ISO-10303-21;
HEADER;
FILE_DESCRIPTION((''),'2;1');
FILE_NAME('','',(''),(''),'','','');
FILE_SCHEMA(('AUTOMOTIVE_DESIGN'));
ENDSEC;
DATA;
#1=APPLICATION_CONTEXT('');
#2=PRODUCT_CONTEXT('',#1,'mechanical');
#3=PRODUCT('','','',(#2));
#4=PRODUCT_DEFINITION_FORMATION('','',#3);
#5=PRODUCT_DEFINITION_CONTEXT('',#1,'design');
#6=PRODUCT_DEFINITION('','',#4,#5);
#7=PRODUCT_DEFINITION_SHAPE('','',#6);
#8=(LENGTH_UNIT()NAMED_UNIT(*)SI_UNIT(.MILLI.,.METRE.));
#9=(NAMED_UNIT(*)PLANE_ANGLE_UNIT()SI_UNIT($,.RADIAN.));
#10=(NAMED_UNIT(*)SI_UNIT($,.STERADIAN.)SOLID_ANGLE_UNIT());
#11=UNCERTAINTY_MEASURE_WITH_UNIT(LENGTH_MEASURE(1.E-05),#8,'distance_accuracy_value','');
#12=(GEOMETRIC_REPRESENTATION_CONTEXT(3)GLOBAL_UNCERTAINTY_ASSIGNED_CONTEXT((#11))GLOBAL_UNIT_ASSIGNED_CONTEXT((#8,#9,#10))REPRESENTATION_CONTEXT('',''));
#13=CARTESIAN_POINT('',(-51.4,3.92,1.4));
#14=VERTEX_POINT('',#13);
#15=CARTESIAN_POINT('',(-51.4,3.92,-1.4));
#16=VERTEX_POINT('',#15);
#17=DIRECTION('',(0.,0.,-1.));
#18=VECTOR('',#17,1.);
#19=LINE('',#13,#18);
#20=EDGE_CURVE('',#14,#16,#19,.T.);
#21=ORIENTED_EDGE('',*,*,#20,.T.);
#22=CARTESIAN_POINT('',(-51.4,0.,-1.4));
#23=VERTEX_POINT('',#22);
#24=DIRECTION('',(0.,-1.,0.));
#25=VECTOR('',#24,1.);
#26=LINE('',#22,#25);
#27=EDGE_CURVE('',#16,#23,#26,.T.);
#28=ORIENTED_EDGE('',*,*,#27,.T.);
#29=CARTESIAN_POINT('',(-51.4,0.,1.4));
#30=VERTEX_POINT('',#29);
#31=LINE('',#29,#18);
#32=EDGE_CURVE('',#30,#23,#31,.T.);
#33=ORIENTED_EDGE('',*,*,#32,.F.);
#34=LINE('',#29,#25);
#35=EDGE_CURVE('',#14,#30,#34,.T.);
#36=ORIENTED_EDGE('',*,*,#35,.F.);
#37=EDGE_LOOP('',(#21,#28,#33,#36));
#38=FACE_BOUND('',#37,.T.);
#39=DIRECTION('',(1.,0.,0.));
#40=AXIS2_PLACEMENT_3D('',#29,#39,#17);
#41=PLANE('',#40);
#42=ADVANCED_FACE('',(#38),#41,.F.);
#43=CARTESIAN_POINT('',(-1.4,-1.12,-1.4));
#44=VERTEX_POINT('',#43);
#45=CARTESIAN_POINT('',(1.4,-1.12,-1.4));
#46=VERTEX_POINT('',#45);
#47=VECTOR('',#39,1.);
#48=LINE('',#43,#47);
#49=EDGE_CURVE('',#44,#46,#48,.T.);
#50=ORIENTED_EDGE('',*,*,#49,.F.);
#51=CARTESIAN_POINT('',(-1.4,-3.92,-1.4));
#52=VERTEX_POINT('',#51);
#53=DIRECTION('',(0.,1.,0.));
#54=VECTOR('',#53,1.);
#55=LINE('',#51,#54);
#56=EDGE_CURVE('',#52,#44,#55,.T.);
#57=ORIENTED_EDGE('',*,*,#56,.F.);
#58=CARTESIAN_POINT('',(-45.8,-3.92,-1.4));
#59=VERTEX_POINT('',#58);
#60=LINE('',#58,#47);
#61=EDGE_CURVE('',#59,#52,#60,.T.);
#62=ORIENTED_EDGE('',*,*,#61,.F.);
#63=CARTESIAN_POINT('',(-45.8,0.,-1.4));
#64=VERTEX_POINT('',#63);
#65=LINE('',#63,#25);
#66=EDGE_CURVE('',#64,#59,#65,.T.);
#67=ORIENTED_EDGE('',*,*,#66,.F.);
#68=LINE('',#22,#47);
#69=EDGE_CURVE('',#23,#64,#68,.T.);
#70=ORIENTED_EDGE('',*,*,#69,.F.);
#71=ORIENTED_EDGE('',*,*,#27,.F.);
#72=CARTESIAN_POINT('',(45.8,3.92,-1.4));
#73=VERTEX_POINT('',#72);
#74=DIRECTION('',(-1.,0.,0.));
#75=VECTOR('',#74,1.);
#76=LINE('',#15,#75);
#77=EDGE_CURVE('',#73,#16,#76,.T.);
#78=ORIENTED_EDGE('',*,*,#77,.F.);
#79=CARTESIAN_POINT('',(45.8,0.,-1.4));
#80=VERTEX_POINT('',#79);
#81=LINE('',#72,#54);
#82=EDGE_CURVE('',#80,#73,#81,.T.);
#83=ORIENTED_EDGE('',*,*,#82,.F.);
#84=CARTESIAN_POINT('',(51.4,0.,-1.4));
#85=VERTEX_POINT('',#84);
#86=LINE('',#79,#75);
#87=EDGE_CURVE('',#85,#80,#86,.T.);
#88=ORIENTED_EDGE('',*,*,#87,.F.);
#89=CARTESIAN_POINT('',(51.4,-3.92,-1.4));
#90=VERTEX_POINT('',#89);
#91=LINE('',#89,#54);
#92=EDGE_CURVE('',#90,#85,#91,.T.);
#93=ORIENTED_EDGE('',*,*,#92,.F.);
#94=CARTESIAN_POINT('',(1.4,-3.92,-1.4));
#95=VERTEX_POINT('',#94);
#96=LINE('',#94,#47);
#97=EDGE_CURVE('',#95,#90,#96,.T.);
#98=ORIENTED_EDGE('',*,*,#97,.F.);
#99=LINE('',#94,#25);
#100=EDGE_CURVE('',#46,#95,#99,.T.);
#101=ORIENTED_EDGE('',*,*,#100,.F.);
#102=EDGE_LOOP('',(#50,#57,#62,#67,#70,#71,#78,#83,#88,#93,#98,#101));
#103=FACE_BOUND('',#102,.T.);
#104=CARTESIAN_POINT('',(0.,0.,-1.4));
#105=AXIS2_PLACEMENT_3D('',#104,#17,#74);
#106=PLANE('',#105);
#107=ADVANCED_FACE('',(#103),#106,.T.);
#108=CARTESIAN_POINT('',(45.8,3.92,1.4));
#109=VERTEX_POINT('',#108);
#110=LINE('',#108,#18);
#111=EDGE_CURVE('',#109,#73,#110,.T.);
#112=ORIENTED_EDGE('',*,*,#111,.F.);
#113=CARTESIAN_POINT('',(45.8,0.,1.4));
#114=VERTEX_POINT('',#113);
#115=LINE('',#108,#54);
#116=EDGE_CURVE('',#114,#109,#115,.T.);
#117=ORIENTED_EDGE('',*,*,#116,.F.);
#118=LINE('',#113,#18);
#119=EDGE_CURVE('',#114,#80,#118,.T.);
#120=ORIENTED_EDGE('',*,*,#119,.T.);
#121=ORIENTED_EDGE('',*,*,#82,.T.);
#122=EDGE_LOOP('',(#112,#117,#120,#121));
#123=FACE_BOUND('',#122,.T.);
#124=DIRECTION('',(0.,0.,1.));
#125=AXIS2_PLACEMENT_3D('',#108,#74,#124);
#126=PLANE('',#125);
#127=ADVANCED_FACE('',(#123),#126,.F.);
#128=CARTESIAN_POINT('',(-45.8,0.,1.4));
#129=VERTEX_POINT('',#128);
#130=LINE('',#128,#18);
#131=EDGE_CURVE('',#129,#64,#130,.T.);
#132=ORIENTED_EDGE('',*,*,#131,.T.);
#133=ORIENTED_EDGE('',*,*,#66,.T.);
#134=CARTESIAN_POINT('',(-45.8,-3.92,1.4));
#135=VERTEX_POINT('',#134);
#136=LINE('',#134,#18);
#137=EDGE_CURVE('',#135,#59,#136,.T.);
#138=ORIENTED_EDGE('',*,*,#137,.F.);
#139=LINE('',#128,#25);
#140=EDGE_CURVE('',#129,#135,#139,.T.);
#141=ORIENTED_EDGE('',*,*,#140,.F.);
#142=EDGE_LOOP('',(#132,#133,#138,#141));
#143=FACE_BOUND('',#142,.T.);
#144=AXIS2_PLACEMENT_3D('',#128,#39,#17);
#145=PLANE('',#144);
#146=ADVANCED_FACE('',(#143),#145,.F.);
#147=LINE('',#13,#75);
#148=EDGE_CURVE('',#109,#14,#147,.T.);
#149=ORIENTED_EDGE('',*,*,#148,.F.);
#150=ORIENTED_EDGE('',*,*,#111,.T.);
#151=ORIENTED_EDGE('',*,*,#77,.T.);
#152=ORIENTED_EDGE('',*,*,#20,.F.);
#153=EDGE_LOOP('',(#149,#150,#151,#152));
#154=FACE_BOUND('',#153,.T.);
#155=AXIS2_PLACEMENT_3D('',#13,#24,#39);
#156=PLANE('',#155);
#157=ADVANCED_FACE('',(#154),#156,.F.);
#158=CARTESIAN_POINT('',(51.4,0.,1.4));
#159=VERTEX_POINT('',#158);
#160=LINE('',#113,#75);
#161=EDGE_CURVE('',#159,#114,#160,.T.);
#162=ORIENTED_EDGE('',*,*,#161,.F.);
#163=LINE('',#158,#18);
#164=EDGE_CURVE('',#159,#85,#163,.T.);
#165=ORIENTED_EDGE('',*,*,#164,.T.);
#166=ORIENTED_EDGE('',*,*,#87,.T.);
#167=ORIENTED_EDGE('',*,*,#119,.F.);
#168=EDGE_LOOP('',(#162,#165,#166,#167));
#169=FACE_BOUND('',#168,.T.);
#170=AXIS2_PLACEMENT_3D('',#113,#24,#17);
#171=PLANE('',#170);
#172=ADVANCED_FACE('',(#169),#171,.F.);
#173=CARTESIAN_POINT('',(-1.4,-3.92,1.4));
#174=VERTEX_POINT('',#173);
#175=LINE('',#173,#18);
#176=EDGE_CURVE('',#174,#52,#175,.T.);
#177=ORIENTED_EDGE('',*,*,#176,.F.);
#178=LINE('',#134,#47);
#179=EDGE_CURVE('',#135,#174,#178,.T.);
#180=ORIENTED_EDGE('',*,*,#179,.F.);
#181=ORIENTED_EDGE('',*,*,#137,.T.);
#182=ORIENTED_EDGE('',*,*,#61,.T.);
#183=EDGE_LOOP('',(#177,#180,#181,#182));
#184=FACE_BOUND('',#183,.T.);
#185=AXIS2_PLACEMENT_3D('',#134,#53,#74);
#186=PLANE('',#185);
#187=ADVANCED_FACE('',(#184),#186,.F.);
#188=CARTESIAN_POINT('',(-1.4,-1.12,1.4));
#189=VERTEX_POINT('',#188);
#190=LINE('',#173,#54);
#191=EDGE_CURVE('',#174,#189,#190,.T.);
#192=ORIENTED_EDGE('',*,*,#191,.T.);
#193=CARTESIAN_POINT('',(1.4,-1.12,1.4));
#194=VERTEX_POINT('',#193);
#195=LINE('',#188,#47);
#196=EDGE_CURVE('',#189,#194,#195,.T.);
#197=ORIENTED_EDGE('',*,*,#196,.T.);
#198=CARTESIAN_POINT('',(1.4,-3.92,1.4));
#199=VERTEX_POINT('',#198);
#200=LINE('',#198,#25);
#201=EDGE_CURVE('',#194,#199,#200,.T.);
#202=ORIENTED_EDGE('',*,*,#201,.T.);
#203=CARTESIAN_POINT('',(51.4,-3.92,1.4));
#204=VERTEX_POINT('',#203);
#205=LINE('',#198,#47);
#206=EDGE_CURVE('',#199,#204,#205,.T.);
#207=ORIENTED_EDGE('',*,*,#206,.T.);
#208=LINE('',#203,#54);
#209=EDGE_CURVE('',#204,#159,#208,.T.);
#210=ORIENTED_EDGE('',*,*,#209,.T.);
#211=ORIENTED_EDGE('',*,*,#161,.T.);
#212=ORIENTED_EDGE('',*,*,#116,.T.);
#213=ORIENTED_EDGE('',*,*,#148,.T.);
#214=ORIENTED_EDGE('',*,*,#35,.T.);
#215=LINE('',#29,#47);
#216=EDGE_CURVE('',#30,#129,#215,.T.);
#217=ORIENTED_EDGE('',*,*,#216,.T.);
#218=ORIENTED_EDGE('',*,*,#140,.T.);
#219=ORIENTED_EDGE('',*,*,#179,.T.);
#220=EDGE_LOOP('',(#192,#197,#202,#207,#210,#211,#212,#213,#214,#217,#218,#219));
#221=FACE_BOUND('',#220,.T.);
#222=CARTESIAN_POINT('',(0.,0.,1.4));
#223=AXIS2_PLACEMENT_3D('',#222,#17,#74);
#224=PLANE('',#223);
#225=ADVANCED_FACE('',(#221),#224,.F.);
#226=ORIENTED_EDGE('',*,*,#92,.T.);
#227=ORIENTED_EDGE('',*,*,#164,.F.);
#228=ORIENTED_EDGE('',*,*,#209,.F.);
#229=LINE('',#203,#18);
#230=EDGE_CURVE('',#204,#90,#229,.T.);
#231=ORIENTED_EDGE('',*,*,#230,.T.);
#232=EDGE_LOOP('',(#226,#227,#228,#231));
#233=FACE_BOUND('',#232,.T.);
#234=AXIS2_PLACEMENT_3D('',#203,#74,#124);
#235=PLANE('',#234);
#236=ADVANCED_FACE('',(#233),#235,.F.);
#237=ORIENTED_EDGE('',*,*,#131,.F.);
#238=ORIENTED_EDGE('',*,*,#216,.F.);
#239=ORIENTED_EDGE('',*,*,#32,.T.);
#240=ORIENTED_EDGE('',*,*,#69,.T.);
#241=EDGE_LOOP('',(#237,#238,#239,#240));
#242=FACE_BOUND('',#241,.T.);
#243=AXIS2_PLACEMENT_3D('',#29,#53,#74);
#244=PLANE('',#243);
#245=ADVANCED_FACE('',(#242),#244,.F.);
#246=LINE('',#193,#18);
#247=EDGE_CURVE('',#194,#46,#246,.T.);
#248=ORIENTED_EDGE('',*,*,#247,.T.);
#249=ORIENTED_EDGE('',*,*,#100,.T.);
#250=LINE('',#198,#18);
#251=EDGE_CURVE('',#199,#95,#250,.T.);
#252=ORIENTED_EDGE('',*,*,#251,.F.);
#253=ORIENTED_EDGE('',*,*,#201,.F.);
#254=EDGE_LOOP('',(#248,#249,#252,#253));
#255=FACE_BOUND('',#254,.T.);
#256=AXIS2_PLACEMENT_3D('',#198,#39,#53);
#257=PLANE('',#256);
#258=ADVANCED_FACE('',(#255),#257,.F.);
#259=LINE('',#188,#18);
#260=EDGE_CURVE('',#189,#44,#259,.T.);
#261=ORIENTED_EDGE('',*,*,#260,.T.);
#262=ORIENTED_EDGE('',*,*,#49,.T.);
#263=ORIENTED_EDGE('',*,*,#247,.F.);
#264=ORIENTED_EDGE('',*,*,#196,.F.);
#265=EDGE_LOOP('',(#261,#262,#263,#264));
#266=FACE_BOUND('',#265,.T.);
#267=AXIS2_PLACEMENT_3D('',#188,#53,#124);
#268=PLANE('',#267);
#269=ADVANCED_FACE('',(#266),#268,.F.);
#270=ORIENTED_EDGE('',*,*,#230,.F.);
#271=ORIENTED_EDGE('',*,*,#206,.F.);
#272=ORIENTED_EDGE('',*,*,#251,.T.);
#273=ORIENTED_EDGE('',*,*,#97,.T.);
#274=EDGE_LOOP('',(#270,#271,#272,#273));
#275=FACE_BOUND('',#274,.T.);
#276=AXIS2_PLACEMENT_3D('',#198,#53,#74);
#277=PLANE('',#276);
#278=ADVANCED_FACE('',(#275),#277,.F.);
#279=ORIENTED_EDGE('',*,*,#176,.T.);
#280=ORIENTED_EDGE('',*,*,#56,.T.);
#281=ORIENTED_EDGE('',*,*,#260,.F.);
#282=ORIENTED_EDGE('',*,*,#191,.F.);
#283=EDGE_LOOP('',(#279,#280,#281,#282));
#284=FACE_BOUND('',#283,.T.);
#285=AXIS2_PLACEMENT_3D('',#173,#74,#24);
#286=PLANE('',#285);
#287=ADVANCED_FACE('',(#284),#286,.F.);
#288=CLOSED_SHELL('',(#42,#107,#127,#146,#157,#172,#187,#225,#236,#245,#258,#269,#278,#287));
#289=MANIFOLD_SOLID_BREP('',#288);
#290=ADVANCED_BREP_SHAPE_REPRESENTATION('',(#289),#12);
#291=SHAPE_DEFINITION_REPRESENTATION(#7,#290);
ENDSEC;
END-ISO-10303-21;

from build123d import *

# Parameters (mm, degrees)
EXTRUDE_1_DEPTH = 1.4


with BuildPart() as part:
    # Эскиз1 → Бобышка-Вытянуть1 (new, symmetric)
    with BuildSketch(Plane.XY):
        Polygon((-51.4, 0), (-45.8, 0), (-45.8, -3.92), (-1.4, -3.92), (-1.4, -1.12), (1.4, -1.12), (1.4, -3.92), (51.4, -3.92), (51.4, 0), (45.8, 0), (45.8, 3.92), (-51.4, 3.92), align=None)
    extrude(amount=EXTRUDE_1_DEPTH, both=True)


solid = part.part
